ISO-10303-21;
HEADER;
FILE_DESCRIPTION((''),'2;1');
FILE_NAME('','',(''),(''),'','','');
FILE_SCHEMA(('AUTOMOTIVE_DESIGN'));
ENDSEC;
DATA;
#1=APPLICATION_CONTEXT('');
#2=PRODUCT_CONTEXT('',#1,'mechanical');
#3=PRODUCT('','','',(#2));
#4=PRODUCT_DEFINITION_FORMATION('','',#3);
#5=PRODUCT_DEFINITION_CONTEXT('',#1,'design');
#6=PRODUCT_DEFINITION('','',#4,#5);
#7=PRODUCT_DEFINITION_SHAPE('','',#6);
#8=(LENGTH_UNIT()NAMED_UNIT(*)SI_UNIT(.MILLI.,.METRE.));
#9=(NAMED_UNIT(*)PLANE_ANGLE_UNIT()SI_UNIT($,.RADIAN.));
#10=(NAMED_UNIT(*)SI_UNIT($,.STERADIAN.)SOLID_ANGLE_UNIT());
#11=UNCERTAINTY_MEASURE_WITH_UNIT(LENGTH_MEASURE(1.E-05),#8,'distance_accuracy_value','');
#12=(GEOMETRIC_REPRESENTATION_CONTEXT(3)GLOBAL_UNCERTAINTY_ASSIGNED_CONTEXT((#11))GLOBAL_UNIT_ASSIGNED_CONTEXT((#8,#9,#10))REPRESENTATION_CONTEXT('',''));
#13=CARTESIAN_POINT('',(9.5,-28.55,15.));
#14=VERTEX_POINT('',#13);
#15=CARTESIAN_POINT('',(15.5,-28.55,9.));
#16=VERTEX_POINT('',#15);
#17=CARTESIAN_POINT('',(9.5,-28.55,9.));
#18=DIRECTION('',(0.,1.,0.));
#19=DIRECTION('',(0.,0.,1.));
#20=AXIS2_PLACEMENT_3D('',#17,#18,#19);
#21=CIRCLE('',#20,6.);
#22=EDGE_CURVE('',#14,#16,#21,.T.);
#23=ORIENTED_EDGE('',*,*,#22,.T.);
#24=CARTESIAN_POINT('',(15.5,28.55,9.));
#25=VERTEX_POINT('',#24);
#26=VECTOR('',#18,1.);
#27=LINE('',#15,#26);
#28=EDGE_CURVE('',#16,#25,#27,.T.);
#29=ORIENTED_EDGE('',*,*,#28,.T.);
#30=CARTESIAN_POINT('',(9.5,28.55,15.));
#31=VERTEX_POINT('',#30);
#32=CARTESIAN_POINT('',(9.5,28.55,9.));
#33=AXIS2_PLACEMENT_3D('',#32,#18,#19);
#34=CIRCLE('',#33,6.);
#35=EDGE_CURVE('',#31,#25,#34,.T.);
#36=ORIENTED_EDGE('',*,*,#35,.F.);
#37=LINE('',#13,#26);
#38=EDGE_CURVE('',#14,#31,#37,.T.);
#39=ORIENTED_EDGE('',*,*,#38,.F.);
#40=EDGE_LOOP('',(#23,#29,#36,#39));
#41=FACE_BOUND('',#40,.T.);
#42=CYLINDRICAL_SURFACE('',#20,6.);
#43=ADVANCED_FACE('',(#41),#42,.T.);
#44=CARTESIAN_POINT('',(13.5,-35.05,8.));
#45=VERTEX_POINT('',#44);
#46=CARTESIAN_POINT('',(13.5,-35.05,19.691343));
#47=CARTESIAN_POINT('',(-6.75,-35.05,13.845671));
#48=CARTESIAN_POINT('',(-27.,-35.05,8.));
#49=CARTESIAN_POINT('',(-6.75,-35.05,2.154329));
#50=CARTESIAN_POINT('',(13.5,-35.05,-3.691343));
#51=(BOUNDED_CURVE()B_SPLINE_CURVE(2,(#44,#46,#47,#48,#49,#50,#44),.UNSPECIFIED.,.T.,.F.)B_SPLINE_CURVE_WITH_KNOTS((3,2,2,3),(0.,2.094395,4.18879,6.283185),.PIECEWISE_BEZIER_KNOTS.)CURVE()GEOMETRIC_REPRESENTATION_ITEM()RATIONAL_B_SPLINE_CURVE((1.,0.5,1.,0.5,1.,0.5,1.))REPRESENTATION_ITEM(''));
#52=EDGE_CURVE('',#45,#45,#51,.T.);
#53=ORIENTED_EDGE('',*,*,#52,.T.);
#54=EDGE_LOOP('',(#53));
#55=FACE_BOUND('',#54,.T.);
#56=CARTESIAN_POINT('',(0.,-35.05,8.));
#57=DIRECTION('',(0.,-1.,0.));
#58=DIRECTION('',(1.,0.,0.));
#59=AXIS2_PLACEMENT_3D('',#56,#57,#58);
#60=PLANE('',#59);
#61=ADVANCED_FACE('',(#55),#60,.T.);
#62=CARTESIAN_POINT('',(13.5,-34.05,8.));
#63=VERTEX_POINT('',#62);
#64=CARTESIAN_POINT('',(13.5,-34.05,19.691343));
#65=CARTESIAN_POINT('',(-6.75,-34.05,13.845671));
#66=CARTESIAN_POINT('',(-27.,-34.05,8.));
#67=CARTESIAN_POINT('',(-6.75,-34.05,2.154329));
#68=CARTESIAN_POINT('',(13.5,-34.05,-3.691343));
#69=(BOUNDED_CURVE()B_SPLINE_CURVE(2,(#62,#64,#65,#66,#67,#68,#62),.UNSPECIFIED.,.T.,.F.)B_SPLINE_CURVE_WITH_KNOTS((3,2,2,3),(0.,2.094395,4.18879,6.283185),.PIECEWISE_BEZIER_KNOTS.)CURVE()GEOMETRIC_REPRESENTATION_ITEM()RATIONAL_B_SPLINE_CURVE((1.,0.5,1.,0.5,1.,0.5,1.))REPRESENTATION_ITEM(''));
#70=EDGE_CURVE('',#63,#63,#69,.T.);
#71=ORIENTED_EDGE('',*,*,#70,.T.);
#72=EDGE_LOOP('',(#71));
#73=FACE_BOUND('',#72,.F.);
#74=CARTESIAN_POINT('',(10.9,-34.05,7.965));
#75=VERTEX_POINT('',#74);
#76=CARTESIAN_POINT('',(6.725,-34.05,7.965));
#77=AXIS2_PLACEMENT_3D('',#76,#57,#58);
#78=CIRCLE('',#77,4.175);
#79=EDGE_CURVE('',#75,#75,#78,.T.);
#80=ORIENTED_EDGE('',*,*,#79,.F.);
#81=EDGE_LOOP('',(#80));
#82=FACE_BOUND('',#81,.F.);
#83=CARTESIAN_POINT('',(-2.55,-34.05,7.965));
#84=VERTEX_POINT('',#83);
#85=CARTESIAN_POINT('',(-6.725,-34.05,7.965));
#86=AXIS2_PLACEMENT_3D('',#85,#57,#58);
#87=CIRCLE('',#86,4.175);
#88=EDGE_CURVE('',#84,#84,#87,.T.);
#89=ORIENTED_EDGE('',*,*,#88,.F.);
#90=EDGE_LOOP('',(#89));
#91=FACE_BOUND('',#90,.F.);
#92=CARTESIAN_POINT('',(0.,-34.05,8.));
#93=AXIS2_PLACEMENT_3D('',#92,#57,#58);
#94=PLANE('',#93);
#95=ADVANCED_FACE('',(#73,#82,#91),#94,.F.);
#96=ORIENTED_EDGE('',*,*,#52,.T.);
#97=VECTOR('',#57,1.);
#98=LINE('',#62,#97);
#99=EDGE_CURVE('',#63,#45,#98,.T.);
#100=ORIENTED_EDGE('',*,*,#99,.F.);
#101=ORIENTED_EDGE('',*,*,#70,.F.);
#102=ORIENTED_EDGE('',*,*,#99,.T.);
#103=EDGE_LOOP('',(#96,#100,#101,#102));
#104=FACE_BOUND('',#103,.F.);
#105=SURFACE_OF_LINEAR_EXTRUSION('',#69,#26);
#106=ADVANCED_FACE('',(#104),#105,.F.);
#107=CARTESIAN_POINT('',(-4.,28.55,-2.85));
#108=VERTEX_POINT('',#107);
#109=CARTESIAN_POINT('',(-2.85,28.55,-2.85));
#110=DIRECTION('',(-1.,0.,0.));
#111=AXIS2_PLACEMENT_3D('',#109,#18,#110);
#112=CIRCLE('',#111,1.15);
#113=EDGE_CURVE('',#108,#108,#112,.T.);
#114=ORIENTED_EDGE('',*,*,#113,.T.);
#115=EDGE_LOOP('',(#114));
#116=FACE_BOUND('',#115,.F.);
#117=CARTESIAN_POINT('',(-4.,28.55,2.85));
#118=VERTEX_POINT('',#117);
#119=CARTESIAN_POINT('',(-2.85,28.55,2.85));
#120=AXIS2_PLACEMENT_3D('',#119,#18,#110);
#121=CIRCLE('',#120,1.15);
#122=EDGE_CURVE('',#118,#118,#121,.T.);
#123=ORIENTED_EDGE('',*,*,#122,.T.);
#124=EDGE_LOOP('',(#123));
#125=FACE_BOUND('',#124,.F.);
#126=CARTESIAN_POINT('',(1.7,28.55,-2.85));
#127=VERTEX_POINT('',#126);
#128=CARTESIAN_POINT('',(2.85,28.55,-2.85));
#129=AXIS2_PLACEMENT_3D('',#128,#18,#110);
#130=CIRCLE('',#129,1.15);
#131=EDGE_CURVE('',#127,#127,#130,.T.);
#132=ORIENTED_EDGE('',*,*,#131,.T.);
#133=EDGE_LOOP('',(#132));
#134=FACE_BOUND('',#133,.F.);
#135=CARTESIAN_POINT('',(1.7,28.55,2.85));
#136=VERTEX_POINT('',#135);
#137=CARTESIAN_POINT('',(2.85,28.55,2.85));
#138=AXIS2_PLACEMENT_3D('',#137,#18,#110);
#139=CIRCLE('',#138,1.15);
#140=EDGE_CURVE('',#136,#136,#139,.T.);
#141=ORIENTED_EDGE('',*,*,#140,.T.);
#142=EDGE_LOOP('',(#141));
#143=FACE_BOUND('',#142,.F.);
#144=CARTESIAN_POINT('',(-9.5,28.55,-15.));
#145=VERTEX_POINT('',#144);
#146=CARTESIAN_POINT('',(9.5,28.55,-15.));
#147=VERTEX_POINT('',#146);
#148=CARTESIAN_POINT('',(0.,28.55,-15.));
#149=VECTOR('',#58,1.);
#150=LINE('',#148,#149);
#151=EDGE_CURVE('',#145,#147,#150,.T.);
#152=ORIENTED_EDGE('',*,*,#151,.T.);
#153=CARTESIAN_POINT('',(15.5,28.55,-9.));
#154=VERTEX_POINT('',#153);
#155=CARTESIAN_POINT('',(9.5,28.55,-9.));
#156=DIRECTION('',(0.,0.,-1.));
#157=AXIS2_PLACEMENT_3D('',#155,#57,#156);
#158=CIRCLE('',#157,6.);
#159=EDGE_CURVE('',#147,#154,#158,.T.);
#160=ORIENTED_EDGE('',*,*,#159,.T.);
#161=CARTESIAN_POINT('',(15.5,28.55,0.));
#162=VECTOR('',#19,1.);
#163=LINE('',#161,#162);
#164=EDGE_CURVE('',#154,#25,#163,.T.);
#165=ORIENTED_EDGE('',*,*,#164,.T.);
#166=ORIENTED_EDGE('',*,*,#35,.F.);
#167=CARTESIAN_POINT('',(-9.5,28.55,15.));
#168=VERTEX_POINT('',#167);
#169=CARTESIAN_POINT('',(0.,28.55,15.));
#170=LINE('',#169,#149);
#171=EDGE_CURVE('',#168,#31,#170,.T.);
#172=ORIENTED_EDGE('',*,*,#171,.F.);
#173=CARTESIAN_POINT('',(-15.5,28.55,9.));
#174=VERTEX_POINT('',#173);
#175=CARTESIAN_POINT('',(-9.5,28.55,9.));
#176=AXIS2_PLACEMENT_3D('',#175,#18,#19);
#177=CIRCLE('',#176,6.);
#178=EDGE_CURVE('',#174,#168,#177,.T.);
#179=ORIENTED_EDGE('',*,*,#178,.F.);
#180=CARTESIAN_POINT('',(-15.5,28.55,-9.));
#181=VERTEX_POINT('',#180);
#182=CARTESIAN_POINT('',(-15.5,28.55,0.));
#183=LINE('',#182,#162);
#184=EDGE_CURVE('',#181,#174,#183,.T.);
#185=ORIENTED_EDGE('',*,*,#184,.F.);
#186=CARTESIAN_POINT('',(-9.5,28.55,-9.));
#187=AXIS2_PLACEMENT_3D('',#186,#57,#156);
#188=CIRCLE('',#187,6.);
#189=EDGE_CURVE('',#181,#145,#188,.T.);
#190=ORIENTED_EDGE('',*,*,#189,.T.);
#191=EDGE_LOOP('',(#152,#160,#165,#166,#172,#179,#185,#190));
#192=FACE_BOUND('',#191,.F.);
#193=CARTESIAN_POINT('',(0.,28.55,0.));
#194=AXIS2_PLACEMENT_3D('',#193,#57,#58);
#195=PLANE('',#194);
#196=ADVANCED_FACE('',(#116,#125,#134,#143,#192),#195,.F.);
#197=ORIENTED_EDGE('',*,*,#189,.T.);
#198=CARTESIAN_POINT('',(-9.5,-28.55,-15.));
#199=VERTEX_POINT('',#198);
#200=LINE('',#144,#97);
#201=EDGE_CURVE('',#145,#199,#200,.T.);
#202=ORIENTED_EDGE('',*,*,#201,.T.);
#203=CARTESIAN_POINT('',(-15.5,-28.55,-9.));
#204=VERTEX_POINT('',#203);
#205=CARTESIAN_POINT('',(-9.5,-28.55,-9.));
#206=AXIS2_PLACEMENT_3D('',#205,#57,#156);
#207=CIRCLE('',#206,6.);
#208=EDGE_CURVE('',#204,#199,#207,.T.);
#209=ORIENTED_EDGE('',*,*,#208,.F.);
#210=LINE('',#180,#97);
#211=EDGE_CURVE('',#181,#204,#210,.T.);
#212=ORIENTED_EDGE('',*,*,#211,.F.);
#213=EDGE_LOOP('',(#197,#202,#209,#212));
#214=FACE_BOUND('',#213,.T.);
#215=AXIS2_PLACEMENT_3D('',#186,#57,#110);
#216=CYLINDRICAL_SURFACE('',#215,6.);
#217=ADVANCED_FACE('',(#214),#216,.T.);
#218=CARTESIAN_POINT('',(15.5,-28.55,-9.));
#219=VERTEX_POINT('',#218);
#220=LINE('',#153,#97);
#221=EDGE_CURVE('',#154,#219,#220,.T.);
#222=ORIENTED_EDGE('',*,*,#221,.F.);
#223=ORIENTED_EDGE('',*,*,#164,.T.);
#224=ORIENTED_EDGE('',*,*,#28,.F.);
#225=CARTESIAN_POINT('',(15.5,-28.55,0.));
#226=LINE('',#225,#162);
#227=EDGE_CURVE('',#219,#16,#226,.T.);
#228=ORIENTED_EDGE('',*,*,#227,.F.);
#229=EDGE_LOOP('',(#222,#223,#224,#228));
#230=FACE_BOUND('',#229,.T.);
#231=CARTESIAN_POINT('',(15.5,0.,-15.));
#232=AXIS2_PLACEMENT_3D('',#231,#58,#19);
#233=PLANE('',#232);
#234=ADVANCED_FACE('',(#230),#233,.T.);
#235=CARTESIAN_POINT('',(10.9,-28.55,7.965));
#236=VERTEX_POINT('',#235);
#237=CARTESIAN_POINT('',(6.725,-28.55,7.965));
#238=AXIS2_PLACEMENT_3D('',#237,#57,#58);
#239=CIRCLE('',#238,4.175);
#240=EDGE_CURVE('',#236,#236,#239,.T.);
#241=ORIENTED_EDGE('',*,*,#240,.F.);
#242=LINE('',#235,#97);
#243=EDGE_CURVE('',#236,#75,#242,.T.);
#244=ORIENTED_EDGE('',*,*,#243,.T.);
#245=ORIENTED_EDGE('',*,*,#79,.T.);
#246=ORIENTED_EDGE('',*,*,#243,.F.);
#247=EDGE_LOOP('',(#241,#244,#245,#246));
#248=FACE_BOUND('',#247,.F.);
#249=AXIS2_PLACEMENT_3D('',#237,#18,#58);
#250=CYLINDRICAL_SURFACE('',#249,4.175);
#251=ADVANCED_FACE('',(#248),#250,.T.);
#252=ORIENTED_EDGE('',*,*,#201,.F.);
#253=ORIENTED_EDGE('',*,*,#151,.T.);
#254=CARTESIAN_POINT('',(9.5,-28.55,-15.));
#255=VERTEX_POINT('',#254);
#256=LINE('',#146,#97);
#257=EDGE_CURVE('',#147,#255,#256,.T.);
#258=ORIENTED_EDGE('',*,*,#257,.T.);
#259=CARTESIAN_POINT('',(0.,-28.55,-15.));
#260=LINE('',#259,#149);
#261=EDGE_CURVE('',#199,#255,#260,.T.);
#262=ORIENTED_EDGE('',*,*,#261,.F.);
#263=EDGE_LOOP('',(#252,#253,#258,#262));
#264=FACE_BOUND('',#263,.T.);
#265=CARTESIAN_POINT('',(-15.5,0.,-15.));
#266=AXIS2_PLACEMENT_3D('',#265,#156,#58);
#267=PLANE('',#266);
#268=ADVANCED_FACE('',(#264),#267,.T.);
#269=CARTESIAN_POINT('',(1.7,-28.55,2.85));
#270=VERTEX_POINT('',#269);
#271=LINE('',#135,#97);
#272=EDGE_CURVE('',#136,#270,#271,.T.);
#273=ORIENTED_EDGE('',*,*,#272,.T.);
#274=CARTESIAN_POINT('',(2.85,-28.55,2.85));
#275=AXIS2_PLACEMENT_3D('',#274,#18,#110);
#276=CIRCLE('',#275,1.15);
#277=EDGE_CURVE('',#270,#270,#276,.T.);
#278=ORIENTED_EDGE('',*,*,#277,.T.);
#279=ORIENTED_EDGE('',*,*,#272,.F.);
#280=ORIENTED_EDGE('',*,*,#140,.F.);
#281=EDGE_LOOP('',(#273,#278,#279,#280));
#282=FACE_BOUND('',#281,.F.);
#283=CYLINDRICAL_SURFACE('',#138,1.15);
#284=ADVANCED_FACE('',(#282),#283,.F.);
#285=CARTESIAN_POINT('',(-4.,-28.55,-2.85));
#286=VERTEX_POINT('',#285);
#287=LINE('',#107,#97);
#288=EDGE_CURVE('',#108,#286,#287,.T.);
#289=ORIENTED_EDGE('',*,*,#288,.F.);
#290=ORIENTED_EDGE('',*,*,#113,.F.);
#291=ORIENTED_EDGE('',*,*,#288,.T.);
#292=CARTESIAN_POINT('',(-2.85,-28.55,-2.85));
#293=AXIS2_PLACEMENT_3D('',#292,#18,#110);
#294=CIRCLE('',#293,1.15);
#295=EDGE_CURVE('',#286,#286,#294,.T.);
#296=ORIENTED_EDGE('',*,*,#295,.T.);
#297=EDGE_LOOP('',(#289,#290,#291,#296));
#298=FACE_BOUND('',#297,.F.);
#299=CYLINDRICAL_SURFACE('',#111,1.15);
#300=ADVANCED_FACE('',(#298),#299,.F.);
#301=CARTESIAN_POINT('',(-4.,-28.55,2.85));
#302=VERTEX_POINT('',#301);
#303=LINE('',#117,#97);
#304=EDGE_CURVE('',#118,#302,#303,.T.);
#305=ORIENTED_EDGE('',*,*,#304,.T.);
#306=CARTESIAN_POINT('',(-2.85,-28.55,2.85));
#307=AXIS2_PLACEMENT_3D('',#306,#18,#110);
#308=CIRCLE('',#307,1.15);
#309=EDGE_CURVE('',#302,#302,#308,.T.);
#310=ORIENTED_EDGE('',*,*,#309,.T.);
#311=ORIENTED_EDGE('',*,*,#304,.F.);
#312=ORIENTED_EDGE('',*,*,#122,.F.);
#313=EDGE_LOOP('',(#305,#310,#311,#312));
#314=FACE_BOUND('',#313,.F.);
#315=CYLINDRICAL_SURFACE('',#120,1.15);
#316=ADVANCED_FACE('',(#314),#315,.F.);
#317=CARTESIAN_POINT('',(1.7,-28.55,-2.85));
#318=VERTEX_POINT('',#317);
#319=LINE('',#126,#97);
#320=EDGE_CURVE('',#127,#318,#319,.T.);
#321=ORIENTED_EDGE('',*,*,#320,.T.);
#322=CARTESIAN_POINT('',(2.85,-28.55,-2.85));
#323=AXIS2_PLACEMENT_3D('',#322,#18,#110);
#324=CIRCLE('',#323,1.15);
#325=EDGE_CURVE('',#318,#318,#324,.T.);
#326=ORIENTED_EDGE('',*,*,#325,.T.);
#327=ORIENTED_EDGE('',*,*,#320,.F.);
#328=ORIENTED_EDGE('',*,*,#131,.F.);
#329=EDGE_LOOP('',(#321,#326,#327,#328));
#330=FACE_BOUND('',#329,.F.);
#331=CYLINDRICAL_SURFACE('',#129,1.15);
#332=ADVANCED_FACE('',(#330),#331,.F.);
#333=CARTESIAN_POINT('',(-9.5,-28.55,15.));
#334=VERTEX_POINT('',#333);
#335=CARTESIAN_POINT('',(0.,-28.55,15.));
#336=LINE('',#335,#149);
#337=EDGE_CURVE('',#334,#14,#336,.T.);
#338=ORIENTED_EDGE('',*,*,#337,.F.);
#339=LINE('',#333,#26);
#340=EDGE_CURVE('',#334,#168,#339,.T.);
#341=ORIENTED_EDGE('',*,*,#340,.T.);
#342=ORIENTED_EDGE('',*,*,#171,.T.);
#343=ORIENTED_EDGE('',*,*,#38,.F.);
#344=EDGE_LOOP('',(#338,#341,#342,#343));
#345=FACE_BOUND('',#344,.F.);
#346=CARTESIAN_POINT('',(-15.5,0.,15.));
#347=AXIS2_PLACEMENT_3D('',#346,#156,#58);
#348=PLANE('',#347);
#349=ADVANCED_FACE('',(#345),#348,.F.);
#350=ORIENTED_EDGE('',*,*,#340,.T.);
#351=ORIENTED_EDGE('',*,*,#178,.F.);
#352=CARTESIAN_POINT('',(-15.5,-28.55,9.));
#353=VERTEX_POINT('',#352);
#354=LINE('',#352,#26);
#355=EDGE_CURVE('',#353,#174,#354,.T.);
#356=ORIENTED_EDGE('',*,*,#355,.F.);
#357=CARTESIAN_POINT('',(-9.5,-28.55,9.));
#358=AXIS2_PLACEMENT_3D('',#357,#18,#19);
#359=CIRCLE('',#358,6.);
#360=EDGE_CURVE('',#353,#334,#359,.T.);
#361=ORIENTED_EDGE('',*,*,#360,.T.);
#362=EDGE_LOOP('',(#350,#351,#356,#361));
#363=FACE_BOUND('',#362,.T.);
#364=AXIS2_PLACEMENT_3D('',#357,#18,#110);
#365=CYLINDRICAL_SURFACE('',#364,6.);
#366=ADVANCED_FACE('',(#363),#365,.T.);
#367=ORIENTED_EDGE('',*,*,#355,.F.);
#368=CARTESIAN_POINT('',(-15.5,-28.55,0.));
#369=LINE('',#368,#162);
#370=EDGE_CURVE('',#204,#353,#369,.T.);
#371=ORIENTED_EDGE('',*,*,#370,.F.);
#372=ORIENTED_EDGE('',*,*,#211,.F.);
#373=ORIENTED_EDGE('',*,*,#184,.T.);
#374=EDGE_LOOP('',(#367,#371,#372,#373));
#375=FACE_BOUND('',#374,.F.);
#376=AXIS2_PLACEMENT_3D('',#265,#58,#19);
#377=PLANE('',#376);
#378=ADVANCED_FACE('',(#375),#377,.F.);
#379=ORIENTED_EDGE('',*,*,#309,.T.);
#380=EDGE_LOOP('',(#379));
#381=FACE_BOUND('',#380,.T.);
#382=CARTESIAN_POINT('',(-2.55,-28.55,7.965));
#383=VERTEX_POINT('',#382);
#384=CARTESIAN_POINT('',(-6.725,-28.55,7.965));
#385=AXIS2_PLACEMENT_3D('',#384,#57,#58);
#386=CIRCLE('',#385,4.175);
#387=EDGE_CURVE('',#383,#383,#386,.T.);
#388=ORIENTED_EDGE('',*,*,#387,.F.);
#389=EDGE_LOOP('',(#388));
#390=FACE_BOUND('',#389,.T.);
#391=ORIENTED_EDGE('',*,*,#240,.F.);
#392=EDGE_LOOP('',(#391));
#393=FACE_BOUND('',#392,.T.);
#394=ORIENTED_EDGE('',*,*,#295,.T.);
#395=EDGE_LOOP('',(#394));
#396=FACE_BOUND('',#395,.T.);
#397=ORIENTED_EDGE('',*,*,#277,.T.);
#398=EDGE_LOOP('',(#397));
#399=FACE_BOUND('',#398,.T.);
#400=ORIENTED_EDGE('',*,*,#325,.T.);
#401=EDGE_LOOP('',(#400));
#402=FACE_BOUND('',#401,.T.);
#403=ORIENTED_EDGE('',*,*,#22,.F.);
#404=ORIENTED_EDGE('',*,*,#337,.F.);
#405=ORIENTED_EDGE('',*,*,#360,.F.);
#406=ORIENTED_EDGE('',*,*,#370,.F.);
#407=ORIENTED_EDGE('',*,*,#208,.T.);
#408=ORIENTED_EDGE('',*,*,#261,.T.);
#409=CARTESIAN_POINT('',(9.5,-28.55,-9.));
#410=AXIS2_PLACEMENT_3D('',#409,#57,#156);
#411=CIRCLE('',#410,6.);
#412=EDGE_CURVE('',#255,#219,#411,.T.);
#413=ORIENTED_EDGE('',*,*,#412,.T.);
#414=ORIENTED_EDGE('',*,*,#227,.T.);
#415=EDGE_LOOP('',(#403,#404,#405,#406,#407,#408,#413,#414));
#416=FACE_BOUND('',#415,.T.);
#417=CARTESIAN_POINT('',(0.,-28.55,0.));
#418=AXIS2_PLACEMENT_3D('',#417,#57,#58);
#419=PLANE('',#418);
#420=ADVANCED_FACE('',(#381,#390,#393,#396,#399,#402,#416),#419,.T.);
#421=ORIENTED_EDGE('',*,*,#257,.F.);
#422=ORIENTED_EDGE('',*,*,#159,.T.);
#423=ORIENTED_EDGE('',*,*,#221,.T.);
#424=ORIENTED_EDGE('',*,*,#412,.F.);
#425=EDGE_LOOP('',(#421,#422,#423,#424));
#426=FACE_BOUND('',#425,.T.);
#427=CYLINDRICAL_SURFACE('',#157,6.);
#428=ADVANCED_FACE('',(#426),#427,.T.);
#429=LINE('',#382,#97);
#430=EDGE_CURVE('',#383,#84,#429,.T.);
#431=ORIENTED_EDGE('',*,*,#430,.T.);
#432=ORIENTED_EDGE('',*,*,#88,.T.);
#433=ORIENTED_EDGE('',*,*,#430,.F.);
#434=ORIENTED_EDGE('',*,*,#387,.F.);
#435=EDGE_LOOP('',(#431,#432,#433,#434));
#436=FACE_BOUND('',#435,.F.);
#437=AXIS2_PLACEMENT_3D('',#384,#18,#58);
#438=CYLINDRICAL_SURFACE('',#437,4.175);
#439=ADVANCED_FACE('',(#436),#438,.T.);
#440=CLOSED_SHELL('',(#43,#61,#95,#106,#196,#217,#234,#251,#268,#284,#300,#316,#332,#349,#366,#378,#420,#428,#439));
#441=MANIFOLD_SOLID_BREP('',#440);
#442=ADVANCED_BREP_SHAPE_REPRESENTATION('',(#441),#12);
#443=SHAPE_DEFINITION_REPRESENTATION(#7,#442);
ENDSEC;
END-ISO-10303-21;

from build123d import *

# Parameters (mm, degrees)
F0_W     = 31
F0_H     = 30
F1_DEPTH = 28.55
F2_R     = 1.15
F3_DEPTH = 57.101
F4_R     = 4.175
F5_DEPTH = 5.5
F7_DEPTH = 1
F8_R     = 6


with BuildPart() as f1:
    # F0 (on Front) → F1 (new body, symmetric)
    with BuildSketch(Plane.XZ):
        Rectangle(F0_W, F0_H)
    extrude(amount=F1_DEPTH, both=True)

    # F2 (on face) → F3 (cut, through all)
    with BuildSketch(Plane(origin=(0, 28.55, 0), x_dir=(-1, 0, 0), z_dir=(0, 1, 0))):
        with Locations((-2.85, 2.85)):
            Circle(F2_R)
        with Locations((2.85, 2.85)):
            Circle(F2_R)
        with Locations((-2.85, -2.85)):
            Circle(F2_R)
        with Locations((2.85, -2.85)):
            Circle(F2_R)
    extrude(amount=-F3_DEPTH, mode=Mode.SUBTRACT)

    # F4 (on face) → F5 (join)
    with BuildSketch(Plane.XZ.offset(28.55)):
        with Locations((6.725, 7.965)):
            Circle(F4_R)
        with Locations((-6.725, 7.965)):
            Circle(F4_R)
    extrude(amount=F5_DEPTH)

    # F6 (on face) → F7 (join)
    with BuildSketch(Plane.XZ.offset(34.05)):
        with BuildLine():
            add(Edge.make_bspline(
                [(13.5, 8), (13.5, 19.691343), (-6.75, 13.845671), (-27, 8), (-6.75, 2.154329), (13.5, -3.691343), (13.5, 8)],
                knots=[0, 0, 0, 2.094395, 2.094395, 4.18879, 4.18879, 6.283185, 6.283185, 6.283185], degree=2, weights=[1, 0.5, 1, 0.5, 1, 0.5, 1]))
        make_face()
    extrude(amount=F7_DEPTH)

    # F8
    f8_edges = [f1.edges().sort_by_distance(p)[0] for p in [
        (-15.5, 0, 15),
        (15.5, 0, 15),
        (-15.5, 0, -15),
        (15.5, 0, -15),
    ]]
    fillet(f8_edges, radius=F8_R)


solid = f1.part
